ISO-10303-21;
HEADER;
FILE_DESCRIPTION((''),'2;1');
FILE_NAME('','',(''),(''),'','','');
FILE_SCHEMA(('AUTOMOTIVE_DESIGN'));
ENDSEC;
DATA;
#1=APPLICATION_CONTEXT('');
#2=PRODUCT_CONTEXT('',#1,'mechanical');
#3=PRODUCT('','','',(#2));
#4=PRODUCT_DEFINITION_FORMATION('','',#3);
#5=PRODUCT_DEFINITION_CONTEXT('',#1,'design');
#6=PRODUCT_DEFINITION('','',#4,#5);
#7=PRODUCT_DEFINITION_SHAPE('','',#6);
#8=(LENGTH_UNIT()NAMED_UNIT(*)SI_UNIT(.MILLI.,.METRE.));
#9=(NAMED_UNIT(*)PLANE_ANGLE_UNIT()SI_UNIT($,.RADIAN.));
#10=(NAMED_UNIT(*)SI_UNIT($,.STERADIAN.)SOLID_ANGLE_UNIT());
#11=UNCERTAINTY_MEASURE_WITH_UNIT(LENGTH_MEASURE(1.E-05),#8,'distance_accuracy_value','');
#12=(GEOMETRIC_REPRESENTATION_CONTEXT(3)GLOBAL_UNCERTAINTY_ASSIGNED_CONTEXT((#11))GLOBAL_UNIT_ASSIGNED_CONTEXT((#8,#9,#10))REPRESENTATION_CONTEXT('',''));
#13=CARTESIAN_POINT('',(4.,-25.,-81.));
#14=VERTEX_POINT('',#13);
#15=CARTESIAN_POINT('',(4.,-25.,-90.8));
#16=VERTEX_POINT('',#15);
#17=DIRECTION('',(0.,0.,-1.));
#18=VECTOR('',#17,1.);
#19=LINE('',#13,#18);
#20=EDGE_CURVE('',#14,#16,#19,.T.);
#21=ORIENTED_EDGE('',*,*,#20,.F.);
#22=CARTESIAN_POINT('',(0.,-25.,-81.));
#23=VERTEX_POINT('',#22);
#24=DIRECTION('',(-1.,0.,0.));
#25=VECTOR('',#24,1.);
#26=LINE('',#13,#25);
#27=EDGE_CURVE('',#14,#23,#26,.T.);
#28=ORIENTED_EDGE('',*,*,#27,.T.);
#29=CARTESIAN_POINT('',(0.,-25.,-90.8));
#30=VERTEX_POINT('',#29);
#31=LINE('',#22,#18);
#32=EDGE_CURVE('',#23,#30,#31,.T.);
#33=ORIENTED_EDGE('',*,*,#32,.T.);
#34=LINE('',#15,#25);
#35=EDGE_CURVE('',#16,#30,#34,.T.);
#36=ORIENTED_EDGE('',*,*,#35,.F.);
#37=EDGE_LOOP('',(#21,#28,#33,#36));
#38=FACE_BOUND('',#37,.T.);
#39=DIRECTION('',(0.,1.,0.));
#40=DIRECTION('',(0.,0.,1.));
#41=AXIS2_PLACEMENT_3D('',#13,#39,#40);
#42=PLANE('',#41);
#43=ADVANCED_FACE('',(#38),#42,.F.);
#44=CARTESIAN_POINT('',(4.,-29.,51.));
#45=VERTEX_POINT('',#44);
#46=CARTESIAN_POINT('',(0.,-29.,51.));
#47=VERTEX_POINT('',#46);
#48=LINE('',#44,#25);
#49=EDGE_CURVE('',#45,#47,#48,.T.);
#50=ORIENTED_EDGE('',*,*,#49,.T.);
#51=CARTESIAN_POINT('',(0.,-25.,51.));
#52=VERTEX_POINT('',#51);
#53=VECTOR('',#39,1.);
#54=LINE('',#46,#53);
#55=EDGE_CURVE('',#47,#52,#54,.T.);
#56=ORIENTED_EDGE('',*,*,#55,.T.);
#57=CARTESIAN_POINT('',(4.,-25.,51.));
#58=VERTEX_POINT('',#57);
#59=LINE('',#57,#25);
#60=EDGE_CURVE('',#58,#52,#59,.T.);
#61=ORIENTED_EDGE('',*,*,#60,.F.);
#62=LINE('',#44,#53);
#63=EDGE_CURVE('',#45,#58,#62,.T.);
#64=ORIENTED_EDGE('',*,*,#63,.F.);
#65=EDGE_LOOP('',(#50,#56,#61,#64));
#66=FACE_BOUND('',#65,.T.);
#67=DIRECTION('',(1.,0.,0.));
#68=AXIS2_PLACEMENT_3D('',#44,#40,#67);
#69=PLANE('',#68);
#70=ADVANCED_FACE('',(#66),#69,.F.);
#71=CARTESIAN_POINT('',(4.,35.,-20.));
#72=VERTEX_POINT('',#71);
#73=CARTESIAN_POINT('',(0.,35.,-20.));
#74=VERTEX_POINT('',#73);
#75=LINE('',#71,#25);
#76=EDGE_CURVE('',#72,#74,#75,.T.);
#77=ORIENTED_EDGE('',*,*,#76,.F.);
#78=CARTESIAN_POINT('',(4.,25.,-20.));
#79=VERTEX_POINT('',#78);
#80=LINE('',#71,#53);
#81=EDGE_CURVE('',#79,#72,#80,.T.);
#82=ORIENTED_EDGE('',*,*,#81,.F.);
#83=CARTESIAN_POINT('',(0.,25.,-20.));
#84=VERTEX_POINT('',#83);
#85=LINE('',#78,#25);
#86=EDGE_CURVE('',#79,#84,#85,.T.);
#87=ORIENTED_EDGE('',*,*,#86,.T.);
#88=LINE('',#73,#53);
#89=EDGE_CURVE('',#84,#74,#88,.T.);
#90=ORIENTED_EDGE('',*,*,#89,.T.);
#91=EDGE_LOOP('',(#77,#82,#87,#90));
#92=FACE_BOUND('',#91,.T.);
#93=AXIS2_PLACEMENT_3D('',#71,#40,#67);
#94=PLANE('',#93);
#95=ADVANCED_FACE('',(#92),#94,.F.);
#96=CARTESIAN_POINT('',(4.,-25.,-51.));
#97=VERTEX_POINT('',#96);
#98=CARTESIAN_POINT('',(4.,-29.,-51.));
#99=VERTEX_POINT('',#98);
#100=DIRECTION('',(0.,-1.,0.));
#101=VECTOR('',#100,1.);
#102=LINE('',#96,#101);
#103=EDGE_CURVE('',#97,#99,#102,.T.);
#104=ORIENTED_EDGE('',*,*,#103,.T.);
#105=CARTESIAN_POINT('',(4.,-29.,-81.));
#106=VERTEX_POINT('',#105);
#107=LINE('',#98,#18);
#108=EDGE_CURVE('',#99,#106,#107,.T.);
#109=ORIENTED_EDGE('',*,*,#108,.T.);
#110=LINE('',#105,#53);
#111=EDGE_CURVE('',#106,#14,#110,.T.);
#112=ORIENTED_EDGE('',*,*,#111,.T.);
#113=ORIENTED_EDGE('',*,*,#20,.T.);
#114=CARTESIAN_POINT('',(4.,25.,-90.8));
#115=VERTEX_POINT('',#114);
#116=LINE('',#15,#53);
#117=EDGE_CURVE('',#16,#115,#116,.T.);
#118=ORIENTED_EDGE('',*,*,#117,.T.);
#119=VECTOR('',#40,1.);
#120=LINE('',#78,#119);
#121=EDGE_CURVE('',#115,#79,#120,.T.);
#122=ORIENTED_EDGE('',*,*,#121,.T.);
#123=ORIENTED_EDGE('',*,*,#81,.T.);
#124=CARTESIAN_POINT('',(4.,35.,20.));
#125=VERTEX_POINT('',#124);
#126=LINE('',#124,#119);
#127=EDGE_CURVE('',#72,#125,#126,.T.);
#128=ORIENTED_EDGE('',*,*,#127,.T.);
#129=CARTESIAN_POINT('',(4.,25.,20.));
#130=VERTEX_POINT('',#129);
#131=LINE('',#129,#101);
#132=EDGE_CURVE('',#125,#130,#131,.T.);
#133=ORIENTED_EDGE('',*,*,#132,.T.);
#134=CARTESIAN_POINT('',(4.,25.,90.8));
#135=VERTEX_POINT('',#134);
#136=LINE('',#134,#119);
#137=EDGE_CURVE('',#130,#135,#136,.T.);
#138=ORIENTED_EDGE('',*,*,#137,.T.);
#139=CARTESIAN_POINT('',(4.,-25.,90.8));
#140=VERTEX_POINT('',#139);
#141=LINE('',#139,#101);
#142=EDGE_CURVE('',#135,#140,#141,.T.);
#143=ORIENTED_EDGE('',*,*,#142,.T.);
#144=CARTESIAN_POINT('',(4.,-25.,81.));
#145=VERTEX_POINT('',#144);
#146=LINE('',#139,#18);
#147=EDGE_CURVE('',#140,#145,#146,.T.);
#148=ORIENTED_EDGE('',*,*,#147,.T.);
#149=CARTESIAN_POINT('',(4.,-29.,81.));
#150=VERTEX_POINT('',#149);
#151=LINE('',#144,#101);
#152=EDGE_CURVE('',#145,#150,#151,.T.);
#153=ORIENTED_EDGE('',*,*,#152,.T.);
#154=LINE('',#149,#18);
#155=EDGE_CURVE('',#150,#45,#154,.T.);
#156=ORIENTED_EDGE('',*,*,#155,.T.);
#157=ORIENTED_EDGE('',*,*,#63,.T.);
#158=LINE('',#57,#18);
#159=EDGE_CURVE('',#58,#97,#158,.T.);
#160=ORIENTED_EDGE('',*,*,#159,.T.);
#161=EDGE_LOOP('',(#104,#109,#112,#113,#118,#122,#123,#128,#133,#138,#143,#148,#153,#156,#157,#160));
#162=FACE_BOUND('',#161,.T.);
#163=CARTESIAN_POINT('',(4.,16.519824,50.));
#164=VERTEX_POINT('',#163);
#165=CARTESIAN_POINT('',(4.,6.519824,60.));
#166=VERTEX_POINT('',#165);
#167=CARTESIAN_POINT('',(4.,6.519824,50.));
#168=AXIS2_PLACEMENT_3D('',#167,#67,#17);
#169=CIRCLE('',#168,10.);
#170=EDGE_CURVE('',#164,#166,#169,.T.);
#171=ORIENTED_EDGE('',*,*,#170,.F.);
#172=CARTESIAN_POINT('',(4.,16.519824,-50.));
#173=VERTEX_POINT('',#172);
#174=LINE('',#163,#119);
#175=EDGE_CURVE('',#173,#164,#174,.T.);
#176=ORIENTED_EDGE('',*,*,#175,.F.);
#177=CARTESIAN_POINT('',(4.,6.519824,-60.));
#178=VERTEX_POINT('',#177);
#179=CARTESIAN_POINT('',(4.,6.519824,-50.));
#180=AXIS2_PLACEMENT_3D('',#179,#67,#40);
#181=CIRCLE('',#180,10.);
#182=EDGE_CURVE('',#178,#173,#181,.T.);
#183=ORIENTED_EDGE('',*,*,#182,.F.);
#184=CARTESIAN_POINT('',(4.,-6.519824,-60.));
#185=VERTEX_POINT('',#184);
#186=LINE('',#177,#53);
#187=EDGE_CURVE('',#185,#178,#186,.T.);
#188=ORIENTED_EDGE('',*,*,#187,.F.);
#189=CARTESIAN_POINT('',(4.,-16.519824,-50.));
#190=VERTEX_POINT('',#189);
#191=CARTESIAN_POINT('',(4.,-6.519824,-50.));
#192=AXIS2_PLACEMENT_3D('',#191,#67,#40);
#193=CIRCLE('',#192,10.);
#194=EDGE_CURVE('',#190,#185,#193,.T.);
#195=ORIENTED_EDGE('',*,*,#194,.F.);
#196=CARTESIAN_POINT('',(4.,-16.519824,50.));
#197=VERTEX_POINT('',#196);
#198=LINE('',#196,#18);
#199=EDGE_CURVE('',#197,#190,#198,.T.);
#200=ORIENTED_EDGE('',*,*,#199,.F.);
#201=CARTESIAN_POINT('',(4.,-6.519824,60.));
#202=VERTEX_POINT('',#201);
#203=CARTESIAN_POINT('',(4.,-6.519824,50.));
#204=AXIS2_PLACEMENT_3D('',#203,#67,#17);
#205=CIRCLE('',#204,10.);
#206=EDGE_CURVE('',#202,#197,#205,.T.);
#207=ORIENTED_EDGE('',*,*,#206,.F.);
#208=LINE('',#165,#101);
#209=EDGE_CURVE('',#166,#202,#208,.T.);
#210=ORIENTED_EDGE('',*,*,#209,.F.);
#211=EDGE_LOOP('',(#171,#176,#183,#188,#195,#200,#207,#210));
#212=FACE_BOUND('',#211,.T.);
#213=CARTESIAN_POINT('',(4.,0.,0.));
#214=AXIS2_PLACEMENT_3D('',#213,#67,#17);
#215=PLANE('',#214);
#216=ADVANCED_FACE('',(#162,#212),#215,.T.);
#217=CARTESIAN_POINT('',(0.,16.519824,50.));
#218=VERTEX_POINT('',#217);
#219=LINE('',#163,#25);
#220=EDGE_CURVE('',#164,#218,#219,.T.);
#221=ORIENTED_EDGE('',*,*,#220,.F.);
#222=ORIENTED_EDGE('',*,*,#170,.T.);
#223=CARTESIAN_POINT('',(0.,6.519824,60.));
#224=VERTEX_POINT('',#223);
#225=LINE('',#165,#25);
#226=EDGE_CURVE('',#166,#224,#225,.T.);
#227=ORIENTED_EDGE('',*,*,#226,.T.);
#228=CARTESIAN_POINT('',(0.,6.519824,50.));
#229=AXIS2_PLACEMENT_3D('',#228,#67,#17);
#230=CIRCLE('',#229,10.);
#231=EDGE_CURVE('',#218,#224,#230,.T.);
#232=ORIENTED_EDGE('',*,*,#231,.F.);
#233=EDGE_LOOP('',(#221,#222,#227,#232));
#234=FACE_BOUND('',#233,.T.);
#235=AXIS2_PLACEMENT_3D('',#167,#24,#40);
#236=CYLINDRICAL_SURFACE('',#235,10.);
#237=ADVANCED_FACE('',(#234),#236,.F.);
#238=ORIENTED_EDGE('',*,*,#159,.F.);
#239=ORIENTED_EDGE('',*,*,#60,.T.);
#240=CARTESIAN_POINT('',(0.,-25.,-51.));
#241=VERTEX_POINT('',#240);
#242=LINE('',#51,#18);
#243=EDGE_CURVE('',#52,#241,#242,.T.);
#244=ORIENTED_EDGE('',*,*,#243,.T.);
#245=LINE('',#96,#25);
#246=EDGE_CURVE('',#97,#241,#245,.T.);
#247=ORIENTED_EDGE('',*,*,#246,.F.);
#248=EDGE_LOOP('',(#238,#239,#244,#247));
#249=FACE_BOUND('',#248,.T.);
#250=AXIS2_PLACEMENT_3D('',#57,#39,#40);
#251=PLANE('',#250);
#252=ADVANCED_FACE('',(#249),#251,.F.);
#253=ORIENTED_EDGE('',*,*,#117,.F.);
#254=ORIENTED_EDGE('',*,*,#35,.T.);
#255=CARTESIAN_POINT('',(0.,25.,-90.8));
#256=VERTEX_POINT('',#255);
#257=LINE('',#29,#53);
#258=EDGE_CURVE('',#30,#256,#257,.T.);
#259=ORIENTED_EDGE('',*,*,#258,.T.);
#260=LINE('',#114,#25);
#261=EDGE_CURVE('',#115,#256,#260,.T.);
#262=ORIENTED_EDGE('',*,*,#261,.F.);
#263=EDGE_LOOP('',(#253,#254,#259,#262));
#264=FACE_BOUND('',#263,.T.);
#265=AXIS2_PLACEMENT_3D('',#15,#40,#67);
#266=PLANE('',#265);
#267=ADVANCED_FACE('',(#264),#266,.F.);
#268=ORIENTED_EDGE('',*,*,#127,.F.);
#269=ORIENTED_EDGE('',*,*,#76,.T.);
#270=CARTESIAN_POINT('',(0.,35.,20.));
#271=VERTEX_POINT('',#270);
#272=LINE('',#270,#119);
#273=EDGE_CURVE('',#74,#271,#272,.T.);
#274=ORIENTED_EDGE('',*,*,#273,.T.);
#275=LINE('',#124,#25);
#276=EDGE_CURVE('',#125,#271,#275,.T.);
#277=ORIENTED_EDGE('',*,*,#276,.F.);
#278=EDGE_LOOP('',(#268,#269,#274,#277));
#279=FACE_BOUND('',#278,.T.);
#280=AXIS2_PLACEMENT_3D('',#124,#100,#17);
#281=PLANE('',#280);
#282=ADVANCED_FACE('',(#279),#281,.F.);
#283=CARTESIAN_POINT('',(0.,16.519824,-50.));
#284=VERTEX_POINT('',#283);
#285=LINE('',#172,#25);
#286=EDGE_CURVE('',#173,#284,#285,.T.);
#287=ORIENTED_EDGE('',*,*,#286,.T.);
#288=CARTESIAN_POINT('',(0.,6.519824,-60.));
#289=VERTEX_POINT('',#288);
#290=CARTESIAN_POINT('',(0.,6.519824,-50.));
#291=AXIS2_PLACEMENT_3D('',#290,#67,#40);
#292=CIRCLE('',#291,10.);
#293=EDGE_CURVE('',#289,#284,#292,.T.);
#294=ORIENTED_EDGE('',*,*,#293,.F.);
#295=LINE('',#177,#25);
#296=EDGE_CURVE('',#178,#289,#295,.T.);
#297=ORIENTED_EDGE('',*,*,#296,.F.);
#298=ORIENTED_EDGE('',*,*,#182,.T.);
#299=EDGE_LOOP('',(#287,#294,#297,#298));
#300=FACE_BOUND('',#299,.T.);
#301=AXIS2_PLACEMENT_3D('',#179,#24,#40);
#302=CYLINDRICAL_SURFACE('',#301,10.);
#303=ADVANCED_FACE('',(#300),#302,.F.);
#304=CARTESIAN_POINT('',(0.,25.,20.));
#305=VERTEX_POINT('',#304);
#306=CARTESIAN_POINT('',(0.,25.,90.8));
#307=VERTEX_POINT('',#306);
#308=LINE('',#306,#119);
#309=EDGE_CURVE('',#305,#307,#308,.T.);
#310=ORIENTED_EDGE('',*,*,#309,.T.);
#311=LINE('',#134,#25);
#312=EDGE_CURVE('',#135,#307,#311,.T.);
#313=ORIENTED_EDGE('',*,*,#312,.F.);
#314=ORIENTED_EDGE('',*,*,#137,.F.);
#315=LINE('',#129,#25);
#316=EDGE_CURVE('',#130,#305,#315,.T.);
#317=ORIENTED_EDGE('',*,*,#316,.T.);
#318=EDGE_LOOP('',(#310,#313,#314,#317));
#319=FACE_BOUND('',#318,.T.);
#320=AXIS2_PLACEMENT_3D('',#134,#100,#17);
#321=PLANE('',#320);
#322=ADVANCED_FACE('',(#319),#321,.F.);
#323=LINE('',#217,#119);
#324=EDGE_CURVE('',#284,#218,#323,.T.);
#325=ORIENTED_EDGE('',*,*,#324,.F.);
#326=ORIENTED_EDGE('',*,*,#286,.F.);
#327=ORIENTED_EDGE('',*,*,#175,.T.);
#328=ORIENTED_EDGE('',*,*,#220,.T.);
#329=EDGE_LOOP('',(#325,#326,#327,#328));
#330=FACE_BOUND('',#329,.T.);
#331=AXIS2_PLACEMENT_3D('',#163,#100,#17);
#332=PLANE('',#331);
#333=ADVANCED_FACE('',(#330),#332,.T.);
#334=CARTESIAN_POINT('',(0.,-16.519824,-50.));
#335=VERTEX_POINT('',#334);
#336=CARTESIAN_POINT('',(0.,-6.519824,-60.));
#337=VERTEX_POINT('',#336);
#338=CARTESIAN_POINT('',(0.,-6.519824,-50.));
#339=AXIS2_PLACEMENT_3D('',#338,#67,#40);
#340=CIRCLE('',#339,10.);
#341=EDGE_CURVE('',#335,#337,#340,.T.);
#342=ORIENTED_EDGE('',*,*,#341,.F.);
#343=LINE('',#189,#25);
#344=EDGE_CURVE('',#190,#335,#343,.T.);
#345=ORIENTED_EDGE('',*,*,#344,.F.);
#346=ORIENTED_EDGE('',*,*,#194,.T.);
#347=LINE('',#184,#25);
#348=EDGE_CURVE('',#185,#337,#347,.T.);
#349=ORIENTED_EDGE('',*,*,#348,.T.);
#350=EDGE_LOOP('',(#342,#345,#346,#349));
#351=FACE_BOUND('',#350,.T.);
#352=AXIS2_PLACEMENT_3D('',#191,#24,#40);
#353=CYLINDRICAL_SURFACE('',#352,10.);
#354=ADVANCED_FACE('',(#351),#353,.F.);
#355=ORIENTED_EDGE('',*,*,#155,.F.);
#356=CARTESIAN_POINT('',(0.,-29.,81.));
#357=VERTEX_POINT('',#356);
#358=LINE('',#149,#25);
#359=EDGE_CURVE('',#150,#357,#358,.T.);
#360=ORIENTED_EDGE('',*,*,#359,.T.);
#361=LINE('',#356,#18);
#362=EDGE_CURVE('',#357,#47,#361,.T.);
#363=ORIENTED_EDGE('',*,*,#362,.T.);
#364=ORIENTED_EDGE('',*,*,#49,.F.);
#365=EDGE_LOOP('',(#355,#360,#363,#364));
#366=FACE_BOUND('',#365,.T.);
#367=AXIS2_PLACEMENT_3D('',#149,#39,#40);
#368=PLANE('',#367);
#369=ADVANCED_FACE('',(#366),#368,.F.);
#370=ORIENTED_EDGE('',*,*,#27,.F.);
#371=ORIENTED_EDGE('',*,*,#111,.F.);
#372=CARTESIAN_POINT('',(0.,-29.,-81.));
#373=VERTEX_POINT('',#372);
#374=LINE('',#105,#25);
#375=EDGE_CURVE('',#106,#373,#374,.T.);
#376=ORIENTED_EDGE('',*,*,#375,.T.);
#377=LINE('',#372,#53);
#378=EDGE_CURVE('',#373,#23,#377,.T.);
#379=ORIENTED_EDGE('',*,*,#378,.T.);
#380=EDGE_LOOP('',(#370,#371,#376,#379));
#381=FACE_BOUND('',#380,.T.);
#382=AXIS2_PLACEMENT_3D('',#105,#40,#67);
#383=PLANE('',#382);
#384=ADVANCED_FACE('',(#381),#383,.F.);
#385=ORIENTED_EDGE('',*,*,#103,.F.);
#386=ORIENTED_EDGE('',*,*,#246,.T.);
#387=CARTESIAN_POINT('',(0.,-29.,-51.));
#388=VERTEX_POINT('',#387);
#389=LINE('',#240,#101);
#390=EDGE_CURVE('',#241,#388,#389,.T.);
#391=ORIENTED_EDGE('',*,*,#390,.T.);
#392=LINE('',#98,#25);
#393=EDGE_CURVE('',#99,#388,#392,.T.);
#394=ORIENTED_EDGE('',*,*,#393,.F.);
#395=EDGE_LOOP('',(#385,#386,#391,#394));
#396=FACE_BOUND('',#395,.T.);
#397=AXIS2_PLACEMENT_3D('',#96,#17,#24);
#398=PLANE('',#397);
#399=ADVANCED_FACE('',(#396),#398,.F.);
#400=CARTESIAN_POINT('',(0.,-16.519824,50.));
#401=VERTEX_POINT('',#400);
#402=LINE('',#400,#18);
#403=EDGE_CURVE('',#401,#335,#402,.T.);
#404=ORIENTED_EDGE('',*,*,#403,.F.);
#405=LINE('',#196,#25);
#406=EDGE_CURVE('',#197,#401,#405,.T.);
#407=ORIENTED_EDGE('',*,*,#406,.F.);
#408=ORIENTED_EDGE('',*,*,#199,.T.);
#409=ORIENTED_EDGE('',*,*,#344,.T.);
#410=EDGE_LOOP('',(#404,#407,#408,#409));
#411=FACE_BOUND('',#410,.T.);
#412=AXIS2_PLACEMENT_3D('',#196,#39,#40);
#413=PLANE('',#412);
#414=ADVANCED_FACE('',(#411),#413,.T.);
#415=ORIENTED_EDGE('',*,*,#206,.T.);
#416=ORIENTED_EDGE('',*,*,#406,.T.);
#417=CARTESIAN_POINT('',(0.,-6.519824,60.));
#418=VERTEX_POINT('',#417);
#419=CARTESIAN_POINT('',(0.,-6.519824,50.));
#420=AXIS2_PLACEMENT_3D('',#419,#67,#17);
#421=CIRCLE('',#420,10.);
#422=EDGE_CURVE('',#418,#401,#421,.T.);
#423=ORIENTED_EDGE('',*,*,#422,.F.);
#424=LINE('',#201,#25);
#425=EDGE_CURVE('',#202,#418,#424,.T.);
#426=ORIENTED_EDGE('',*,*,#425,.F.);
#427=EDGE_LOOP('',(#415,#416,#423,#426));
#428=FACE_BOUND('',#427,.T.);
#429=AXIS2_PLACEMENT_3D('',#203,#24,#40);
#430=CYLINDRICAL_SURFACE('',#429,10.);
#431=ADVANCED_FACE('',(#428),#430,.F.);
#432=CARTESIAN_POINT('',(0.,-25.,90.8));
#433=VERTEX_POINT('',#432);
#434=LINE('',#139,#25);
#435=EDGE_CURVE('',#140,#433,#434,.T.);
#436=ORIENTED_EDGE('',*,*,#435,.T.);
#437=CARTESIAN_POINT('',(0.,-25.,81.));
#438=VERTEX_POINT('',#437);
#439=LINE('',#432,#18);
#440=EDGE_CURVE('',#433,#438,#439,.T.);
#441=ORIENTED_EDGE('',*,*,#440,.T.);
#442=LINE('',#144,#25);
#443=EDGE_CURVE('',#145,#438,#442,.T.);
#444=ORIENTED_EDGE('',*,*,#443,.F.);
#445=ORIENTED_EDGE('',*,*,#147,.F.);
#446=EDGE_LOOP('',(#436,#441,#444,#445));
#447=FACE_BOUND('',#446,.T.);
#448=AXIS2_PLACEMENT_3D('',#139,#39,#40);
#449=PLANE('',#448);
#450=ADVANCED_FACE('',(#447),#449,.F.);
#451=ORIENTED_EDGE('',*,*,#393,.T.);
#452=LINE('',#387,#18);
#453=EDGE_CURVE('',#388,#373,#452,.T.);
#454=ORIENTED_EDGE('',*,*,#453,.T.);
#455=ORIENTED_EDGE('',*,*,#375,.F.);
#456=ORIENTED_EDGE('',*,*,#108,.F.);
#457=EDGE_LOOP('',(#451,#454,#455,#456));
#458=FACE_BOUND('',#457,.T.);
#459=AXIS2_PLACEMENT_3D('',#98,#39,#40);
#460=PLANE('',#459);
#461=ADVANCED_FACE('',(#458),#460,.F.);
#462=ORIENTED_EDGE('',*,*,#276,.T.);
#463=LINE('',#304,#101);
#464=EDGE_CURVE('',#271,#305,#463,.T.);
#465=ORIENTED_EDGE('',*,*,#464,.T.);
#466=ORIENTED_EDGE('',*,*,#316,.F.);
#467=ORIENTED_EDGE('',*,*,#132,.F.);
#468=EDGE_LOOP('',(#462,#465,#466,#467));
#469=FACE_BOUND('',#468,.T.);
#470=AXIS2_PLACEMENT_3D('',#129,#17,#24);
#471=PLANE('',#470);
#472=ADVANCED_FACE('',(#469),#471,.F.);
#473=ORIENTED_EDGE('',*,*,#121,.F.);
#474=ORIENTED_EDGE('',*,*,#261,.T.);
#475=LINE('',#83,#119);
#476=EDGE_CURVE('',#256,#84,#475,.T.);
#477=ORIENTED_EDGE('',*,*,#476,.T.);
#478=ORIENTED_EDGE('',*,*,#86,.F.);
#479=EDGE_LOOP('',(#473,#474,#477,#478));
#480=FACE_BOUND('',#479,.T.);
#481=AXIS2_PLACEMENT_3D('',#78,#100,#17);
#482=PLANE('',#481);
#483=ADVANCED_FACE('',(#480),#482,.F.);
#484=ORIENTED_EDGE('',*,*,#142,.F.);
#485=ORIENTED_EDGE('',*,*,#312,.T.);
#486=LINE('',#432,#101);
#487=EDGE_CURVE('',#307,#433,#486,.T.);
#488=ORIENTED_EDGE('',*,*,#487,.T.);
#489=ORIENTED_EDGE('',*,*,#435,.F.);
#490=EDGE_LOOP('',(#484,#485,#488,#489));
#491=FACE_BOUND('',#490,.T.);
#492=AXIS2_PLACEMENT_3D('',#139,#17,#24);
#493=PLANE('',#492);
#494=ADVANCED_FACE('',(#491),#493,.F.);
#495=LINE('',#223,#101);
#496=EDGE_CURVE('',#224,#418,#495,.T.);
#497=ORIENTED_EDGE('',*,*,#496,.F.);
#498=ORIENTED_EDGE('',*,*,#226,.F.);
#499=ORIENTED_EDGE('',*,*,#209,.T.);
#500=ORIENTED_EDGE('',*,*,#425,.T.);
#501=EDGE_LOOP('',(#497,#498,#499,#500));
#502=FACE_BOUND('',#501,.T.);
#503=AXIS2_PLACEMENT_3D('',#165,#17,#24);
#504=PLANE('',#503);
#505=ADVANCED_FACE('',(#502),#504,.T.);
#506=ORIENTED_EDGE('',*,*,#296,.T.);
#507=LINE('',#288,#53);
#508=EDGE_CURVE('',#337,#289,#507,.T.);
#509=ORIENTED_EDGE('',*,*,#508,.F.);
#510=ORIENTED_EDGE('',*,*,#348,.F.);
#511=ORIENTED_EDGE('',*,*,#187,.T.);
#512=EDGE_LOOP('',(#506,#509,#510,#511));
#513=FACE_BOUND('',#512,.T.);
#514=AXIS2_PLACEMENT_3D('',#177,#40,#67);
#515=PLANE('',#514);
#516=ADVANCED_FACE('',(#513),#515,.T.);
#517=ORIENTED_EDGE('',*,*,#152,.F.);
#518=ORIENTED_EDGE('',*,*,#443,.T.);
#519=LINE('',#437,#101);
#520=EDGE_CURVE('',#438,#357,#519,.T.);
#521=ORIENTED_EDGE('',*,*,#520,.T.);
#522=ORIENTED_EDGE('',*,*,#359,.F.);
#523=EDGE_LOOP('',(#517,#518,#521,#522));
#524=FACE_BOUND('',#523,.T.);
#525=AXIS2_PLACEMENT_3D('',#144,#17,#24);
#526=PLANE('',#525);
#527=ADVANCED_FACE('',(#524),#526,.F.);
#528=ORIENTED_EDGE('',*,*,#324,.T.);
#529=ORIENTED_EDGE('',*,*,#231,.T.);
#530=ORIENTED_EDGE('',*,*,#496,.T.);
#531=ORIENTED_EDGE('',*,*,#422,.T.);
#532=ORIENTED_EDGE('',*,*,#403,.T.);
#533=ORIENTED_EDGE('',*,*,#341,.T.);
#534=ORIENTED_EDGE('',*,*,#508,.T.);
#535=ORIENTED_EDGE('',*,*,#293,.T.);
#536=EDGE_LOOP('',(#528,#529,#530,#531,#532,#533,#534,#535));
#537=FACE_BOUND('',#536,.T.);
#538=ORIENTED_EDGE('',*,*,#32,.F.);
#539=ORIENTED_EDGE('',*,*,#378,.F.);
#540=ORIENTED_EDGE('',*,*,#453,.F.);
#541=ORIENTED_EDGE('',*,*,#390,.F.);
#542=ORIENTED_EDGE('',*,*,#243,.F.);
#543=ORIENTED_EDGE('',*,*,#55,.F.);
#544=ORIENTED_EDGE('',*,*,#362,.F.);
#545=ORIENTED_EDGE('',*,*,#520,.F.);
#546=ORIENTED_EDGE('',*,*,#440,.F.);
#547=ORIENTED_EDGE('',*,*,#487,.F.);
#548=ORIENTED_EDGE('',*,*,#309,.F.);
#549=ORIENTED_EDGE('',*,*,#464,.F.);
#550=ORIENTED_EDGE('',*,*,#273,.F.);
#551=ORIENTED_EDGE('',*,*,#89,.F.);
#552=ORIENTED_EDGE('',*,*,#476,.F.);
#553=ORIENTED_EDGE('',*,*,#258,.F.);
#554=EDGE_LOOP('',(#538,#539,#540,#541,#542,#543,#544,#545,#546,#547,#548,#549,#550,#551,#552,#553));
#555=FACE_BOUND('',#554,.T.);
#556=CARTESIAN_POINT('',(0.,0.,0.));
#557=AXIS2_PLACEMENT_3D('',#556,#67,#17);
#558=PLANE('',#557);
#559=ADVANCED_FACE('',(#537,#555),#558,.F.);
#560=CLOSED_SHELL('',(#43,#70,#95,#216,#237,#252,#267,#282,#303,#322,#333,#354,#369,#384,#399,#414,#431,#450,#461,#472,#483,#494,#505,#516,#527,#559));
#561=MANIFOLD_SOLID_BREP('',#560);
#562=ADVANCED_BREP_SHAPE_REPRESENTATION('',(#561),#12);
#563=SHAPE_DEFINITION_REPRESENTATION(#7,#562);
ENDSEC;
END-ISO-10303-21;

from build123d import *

# Parameters (mm, degrees)
SALIENTE_EXTRUIR1_DEPTH = 4


with BuildPart() as part:
    # Croquis1 → Saliente-Extruir1 (new body)
    with BuildSketch(Plane(origin=(0, 0, 0), x_dir=(0, 0, -1), z_dir=(1, 0, 0))):
        Polygon((-81, -25), (-81, -29), (-51, -29), (-51, -25), (51, -25), (51, -29), (81, -29), (81, -25), (90.8, -25), (90.8, 25), (20, 25), (20, 35), (-20, 35), (-20, 25), (-90.8, 25), (-90.8, -25), align=None)
        with BuildLine():
            Line((-50, 16.519823789), (50, 16.519823789))
            ThreePointArc((50, 16.519823789), (57.071067812, 13.5908916), (60, 6.519823789))
            Line((60, 6.519823789), (60, -6.519823789))
            ThreePointArc((60, -6.519823789), (57.071067812, -13.5908916), (50, -16.519823789))
            Line((50, -16.519823789), (-50, -16.519823789))
            ThreePointArc((-50, -16.519823789), (-57.071067812, -13.5908916), (-60, -6.519823789))
            Line((-60, -6.519823789), (-60, 6.519823789))
            ThreePointArc((-60, 6.519823789), (-57.071067812, 13.5908916), (-50, 16.519823789))
        make_face(mode=Mode.SUBTRACT)
    extrude(amount=SALIENTE_EXTRUIR1_DEPTH)


solid = part.part
